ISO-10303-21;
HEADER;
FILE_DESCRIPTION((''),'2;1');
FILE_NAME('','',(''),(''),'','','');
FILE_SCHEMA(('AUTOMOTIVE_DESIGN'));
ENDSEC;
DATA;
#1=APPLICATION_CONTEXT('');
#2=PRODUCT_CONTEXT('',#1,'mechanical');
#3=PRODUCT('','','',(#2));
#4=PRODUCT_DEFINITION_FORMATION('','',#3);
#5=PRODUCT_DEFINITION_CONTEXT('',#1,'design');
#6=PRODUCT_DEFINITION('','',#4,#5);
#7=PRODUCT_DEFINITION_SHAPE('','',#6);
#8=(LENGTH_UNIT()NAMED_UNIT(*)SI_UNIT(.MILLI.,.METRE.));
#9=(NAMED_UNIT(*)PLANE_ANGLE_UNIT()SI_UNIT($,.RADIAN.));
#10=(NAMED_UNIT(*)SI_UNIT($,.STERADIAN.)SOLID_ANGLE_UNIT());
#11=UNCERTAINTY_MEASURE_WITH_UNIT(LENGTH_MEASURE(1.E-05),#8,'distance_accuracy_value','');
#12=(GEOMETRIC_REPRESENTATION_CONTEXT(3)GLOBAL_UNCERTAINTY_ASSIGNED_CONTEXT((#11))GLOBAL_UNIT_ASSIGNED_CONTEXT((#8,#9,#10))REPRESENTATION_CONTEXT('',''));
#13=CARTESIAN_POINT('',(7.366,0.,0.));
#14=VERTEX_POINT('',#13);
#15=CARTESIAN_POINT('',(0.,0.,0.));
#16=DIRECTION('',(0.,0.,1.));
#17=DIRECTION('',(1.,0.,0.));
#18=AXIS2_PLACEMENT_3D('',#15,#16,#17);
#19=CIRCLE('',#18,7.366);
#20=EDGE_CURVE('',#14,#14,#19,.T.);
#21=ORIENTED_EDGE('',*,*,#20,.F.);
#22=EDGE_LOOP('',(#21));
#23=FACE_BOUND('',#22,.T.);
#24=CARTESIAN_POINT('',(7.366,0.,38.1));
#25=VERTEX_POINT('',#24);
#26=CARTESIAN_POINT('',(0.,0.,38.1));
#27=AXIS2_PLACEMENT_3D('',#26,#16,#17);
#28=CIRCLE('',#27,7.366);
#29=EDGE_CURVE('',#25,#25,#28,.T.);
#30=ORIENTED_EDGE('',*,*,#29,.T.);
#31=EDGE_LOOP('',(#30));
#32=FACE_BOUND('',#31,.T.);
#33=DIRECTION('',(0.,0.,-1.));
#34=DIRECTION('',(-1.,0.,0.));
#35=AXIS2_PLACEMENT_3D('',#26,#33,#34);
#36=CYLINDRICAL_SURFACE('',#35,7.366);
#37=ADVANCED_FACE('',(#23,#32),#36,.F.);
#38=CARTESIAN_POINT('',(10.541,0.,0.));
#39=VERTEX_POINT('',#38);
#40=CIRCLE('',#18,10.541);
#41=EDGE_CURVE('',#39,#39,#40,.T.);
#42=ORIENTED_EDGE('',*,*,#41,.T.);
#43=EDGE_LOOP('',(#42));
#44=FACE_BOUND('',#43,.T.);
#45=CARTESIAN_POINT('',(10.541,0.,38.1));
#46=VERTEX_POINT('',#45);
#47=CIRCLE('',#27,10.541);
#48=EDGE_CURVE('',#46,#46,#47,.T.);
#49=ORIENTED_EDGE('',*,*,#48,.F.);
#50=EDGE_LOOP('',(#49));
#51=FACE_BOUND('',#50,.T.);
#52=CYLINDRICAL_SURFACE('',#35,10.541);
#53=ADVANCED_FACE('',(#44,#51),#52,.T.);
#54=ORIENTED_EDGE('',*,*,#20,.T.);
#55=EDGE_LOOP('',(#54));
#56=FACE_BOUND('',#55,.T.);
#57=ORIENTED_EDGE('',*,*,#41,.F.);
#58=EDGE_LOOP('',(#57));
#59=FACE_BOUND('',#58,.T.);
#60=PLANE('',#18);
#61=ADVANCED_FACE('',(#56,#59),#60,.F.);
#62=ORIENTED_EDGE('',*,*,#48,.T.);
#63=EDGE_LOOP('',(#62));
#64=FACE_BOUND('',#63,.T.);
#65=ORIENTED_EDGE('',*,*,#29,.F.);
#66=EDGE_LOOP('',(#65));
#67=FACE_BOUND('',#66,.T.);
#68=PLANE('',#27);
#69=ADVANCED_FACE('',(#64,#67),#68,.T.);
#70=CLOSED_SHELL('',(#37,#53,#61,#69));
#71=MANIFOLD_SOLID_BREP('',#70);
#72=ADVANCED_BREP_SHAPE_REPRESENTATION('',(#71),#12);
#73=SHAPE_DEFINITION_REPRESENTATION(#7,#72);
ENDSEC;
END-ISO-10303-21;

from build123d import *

# Parameters (mm, degrees)
SKETCH1_R           = 10.541
SKETCH1_R_2         = 7.366
BOSS_EXTRUDE1_DEPTH = 38.1


with BuildPart() as part:
    # Sketch1 → Boss-Extrude1 (new body)
    with BuildSketch(Plane.XY):
        Circle(SKETCH1_R)
        Circle(SKETCH1_R_2, mode=Mode.SUBTRACT)
    extrude(amount=BOSS_EXTRUDE1_DEPTH)


solid = part.part
